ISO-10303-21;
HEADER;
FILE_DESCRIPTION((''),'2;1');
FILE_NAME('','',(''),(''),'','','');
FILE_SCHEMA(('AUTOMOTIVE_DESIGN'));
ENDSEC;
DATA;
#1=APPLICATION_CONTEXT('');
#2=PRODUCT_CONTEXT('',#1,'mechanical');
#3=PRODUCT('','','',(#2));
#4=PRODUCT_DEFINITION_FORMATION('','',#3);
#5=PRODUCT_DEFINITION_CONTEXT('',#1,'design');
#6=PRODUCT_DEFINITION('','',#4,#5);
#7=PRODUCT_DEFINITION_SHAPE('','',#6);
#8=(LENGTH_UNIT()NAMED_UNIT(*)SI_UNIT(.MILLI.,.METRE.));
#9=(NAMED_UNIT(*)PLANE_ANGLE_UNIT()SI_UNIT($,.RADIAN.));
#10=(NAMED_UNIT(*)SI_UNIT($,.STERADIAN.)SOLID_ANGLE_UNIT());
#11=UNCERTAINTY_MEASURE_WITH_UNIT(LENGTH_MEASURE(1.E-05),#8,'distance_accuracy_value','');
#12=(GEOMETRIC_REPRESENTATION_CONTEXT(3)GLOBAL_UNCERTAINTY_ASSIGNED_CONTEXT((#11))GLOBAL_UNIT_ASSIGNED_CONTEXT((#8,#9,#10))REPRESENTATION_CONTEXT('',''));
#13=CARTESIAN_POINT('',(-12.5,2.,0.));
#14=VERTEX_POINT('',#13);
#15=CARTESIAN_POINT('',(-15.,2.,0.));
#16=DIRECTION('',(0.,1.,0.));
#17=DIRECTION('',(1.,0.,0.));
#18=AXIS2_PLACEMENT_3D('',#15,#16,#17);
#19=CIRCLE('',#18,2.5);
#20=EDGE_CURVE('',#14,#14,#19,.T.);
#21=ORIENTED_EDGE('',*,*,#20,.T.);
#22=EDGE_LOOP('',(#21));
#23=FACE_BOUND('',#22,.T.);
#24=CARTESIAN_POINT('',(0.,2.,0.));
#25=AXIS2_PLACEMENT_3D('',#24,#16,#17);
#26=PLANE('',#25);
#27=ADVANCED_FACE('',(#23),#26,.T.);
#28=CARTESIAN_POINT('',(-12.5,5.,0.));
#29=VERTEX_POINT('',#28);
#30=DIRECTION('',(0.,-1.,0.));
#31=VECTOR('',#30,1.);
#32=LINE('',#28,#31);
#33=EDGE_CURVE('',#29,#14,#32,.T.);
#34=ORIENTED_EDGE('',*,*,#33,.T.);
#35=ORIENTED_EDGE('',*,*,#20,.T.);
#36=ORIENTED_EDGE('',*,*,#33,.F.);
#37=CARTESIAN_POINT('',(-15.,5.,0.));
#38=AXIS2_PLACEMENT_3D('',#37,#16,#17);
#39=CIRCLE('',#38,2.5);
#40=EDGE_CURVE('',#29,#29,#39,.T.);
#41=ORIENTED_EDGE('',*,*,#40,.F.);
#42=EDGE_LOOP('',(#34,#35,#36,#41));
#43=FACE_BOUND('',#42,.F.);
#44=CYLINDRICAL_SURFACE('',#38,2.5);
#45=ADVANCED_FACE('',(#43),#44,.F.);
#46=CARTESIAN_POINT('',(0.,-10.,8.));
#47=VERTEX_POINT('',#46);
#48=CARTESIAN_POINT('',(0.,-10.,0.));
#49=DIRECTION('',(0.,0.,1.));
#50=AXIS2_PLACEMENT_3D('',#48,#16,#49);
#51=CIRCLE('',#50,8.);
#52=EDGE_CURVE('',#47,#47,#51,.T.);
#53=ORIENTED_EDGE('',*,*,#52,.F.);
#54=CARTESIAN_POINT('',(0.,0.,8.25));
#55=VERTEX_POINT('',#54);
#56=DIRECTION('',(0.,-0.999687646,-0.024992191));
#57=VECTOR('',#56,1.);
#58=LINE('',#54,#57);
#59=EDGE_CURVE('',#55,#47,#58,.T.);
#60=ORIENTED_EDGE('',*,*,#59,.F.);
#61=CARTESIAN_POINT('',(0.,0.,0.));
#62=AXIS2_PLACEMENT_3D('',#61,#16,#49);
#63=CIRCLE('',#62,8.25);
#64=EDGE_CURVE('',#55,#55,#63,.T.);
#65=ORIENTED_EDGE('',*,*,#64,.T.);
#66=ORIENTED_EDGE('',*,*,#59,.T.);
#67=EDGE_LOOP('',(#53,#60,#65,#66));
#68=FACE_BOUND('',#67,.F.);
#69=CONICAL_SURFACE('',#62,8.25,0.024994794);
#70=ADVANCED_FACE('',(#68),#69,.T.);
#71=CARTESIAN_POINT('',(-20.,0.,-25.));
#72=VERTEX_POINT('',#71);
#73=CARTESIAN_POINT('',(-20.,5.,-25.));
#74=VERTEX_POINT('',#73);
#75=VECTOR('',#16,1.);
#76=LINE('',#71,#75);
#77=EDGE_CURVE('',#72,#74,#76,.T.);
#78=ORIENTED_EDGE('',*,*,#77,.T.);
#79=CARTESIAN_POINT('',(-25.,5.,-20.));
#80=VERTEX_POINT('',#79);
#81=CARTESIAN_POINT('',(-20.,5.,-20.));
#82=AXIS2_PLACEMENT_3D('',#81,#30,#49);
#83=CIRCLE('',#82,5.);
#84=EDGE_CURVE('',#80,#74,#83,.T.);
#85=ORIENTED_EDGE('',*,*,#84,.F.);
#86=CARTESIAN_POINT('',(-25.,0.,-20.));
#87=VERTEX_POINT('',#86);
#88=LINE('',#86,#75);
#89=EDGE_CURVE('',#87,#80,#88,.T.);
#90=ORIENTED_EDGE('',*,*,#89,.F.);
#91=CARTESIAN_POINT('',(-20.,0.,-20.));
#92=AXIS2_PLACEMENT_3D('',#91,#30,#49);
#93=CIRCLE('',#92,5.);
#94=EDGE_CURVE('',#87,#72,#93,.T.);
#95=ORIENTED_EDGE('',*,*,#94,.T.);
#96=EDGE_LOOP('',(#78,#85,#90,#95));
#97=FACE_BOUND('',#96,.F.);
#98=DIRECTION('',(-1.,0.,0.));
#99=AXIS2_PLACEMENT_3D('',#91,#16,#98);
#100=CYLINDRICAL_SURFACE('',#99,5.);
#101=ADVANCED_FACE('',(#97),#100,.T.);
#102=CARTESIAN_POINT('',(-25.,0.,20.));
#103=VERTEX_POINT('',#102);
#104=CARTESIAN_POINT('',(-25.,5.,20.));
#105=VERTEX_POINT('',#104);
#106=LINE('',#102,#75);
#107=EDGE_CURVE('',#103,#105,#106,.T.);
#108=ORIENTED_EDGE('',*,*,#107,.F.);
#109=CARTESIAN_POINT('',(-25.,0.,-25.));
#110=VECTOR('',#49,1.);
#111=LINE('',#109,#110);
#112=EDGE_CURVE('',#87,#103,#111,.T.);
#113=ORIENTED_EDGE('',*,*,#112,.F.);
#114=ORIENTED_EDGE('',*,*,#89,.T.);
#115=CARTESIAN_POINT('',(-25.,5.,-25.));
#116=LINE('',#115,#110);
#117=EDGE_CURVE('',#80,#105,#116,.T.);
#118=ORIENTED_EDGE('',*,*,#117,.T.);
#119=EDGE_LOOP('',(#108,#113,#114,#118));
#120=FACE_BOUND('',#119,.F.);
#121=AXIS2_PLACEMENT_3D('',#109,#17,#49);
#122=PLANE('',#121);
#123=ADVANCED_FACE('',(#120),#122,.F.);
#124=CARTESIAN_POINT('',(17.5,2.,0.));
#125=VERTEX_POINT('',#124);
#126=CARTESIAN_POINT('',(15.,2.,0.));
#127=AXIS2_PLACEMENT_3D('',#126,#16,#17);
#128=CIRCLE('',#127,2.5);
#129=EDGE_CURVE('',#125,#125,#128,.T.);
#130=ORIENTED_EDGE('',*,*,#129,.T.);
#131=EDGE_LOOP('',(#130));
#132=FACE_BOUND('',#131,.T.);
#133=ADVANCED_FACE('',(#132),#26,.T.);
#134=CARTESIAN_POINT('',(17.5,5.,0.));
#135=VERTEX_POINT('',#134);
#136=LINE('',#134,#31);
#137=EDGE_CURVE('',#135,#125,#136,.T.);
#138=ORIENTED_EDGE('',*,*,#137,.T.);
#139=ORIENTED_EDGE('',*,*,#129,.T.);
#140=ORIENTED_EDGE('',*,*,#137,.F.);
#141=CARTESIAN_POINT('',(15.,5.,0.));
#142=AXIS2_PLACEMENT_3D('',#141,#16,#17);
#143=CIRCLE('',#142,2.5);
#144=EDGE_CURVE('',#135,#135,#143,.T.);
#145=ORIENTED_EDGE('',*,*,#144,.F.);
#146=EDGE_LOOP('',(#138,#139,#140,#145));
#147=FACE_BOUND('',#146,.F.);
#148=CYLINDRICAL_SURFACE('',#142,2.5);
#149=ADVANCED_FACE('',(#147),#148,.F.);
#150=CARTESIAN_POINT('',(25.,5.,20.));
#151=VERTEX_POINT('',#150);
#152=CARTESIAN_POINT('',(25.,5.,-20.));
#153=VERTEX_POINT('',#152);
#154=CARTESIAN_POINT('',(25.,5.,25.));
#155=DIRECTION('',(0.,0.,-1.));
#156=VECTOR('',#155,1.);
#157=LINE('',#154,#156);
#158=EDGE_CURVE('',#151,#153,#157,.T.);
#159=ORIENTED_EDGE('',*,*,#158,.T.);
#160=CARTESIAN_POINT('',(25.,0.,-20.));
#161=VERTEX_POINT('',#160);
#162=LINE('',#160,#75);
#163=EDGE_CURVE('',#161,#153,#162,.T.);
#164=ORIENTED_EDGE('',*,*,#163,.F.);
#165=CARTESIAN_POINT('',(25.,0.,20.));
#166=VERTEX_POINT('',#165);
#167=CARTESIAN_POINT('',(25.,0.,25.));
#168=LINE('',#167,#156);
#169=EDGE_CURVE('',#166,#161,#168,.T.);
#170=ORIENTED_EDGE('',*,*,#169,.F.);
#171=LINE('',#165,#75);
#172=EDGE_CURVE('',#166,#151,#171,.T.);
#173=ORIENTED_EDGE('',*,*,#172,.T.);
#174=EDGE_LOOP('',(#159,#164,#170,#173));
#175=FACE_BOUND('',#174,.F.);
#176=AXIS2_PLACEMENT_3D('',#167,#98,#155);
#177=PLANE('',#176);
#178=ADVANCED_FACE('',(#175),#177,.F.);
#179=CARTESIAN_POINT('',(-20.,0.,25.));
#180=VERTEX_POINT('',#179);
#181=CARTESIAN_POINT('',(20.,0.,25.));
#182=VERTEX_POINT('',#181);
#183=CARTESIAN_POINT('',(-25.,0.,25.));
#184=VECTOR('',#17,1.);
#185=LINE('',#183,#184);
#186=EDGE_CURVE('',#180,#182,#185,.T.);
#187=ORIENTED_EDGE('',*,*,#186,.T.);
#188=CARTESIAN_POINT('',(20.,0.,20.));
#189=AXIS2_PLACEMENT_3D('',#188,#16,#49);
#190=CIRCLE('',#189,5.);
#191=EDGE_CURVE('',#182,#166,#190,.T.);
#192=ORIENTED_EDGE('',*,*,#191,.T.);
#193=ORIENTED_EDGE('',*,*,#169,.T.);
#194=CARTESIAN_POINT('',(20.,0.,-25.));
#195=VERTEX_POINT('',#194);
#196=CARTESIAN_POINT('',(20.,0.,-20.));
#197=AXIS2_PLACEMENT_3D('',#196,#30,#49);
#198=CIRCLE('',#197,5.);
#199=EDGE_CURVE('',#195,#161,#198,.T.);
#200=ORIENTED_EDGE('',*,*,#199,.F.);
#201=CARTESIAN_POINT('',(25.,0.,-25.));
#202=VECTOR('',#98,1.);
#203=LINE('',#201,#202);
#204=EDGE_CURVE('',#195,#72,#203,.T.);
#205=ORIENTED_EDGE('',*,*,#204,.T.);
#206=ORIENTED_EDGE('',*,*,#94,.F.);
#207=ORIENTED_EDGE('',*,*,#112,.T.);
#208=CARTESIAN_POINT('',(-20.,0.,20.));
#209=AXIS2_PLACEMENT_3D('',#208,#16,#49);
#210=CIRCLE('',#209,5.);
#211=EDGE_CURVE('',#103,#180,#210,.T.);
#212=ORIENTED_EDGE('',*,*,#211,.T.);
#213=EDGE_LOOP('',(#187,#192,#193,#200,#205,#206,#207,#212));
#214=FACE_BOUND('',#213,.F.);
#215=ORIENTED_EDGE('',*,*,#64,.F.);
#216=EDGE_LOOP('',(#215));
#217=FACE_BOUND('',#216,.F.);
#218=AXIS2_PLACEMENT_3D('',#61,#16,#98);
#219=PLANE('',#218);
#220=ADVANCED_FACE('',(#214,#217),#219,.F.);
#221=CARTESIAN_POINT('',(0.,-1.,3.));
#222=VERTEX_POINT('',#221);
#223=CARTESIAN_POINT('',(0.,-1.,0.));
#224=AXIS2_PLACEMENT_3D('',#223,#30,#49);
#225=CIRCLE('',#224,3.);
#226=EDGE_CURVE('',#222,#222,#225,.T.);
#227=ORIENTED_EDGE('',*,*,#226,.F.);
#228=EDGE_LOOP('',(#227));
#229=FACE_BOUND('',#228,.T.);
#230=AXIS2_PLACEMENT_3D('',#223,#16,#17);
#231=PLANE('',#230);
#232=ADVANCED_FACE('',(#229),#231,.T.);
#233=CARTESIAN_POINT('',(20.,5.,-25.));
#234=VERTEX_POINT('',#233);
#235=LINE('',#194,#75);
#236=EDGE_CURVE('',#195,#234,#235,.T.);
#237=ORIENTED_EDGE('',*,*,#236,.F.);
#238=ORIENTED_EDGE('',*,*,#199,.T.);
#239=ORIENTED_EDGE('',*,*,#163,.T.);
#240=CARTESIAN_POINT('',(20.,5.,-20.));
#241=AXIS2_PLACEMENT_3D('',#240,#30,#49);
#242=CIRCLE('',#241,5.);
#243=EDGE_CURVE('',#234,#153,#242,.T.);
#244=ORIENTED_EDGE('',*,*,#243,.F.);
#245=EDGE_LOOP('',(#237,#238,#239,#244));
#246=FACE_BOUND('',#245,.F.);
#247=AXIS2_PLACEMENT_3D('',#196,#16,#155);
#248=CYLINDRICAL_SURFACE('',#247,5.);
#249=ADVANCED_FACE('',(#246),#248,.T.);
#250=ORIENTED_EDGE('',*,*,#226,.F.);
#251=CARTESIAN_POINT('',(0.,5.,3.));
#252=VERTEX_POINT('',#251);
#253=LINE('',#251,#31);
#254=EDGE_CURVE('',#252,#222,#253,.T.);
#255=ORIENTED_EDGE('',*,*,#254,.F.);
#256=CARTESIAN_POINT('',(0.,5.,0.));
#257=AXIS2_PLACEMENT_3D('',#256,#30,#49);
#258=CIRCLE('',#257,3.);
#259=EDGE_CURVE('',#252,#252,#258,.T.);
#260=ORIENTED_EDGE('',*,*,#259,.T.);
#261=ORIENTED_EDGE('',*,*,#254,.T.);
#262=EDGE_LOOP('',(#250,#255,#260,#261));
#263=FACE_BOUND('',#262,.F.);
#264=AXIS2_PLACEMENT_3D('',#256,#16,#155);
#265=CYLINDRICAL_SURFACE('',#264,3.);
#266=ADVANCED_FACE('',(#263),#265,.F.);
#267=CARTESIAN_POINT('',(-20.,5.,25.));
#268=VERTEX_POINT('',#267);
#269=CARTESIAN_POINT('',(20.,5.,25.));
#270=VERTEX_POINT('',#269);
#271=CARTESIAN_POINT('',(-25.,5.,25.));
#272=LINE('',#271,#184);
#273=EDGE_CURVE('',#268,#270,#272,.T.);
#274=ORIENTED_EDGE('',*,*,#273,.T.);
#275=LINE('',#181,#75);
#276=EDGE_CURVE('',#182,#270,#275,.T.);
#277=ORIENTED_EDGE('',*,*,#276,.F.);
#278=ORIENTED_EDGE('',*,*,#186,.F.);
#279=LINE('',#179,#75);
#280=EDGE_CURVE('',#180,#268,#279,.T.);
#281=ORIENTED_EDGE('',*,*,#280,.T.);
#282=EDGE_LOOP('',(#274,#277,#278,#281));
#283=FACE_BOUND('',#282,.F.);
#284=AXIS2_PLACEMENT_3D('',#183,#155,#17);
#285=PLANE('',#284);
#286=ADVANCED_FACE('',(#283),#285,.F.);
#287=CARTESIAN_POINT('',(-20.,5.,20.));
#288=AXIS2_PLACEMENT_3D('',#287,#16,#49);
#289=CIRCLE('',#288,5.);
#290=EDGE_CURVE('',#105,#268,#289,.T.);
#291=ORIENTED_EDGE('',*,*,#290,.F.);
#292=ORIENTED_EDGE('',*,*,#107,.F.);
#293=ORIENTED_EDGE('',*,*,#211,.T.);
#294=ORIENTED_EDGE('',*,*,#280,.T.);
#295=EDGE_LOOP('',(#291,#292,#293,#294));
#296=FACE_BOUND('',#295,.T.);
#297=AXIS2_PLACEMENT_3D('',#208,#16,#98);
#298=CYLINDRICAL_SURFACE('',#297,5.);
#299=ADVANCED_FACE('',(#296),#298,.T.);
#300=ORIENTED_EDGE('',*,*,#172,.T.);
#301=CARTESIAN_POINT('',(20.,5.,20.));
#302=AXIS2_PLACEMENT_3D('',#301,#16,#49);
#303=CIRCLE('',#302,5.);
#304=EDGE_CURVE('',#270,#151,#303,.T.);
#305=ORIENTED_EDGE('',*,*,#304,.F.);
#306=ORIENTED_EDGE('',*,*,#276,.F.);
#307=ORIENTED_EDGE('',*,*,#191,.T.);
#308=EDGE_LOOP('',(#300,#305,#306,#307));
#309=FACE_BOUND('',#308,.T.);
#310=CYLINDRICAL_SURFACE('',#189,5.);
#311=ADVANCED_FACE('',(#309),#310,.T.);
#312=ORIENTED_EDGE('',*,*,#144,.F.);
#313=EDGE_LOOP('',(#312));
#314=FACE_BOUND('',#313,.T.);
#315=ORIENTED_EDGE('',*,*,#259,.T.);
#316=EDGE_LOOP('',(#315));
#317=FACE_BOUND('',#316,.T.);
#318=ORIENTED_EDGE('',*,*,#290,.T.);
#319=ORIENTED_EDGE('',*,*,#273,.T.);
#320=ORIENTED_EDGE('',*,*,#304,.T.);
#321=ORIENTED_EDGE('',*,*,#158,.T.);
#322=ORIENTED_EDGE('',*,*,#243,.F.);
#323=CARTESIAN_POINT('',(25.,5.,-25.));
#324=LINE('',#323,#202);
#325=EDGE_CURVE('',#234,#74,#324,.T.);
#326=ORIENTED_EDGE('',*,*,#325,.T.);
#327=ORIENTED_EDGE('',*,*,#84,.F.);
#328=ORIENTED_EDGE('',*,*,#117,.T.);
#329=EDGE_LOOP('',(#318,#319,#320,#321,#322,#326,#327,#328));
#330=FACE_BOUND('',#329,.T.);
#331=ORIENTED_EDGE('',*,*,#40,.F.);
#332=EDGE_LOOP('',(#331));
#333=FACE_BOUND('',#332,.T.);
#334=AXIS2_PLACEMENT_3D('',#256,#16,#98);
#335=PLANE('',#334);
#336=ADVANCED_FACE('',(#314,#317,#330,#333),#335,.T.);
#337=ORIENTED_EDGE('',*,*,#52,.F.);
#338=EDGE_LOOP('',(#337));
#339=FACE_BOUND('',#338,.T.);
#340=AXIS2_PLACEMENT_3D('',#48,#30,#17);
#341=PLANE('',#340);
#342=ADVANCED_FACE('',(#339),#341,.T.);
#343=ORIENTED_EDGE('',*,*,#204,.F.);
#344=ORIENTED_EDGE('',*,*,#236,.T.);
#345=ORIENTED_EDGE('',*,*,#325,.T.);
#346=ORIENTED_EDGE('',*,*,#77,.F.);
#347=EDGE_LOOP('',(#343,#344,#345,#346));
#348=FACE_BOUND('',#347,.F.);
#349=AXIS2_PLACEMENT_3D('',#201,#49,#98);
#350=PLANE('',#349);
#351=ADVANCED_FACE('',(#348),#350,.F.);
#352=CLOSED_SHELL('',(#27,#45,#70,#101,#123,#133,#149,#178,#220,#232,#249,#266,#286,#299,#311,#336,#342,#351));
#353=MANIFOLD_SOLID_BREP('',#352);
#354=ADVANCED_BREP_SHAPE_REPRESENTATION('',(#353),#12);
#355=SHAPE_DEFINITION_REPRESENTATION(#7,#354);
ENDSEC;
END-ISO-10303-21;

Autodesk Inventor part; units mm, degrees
ref_plane "YZ Plane" through (0, 0, 0) normal (1, 0, 0) x (0, 1, 0)
ref_plane "XZ Plane" through (0, 0, 0) normal (0, 1, 0) x (-1, 0, 0)
ref_plane "XY Plane" through (0, 0, 0) normal (0, 0, 1) x (1, 0, 0)
sketch "Sketch1" plane through (0, 0, 0) normal (0, 1, 0) x (-1, 0, 0)
  line L0 (25, 25) -> (-25, 25)
  line L1 (-25, 25) -> (-25, -25)
  line L2 (-25, -25) -> (25, -25)
  line L3 (25, -25) -> (25, 25)
  point P0 (0, 0)
  dimension "d0" = 50
  dimension "d1" = 50
  dimension "d2" = 25
  dimension "d3" = 25
extrude "Extrusion1" add sketch "Sketch1" along normal blind 5
sketch "Sketch2" plane through (0, 0, 0) normal (0, -1, 0) x (1, 0, 0)
  circle A0 centre (0, 0) radius 8
  dimension "d6" = 16
extrude "Extrusion2" add sketch "Sketch2" along normal blind 10
sketch "Sketch3" plane through (0, 5, 0) normal (0, 1, 0) x (1, 0, 0)
  line L0 (0, -3) -> (0, -3)
  line L1 (3, 0) -> (3, 0)
  line L2 (0, 3) -> (0, 3)
  line L3 (-3, 0) -> (-3, 0)
  arc A0 (-3, 0) -> (0, -3) centre (0, 0) ccw
  arc A1 (0, 3) -> (-3, 0) centre (0, 0) ccw
  arc A2 (3, 0) -> (0, 3) centre (0, 0) ccw
  arc A3 (0, -3) -> (3, 0) centre (0, 0) ccw
  point P0 (0, 0)
  dimension "d9" = 6
  dimension "d10" = 6
  dimension "d11" = 3
  dimension "d12" = 3
  dimension "d19" = 3
extrude "Extrusion3" cut sketch "Sketch3" against normal blind 6
sketch "Sketch4" plane through (0, 5, 0) normal (0, 1, 0) x (1, 0, 0)
  line L0 (-5, -5) -> (-5, 5) projected
  line L1 (-25, 25) -> (-25, -25) projected
  circle A0 centre (-15, 0) radius 2.5
  line L2 (5, -5) -> (-5, -5) projected
  line L3 (-5, 5) -> (5, 5) projected
  circle A1 centre (15, 0) radius 2.5
  line L4 (25, -25) -> (25, 25) projected
  point P0 (0, 0)
  dimension "d15" = 5
  dimension "d20" = 10
  dimension "d21" = 10
extrude "Extrusion4" cut sketch "Sketch4" against normal blind 3
fillet "Fillet1" radius 5 4 edges at (25, 2.5, 25) (25, 2.5, -25) (-25, 2.5, -25) (-25, 2.5, 25)
sketch "Sketch5" plane through (0, 0, 0) normal (1, 0, 0) x (0, 1, 0)
  line L0 (0, 8) -> (-10, 8) projected
  line L1 (0, 8) -> (0, 8.25)
  line L2 (0, 20) -> (0, -20) projected
  line L3 (-10, 8) -> (-10, -8) projected
  line L4 (0, 8.25) -> (-10, 8)
  line L5 (-10, 8) -> (0, 8)
  line L6 (-10, 0) -> (0, 0)
  dimension "d23" = 0.25
revolve "Revolution1" add sketch "Sketch5" angle 360 about axis through (0, -10, 0) along (0, 1, 0) contours L0 L4 L1
properties part number "Base2"
